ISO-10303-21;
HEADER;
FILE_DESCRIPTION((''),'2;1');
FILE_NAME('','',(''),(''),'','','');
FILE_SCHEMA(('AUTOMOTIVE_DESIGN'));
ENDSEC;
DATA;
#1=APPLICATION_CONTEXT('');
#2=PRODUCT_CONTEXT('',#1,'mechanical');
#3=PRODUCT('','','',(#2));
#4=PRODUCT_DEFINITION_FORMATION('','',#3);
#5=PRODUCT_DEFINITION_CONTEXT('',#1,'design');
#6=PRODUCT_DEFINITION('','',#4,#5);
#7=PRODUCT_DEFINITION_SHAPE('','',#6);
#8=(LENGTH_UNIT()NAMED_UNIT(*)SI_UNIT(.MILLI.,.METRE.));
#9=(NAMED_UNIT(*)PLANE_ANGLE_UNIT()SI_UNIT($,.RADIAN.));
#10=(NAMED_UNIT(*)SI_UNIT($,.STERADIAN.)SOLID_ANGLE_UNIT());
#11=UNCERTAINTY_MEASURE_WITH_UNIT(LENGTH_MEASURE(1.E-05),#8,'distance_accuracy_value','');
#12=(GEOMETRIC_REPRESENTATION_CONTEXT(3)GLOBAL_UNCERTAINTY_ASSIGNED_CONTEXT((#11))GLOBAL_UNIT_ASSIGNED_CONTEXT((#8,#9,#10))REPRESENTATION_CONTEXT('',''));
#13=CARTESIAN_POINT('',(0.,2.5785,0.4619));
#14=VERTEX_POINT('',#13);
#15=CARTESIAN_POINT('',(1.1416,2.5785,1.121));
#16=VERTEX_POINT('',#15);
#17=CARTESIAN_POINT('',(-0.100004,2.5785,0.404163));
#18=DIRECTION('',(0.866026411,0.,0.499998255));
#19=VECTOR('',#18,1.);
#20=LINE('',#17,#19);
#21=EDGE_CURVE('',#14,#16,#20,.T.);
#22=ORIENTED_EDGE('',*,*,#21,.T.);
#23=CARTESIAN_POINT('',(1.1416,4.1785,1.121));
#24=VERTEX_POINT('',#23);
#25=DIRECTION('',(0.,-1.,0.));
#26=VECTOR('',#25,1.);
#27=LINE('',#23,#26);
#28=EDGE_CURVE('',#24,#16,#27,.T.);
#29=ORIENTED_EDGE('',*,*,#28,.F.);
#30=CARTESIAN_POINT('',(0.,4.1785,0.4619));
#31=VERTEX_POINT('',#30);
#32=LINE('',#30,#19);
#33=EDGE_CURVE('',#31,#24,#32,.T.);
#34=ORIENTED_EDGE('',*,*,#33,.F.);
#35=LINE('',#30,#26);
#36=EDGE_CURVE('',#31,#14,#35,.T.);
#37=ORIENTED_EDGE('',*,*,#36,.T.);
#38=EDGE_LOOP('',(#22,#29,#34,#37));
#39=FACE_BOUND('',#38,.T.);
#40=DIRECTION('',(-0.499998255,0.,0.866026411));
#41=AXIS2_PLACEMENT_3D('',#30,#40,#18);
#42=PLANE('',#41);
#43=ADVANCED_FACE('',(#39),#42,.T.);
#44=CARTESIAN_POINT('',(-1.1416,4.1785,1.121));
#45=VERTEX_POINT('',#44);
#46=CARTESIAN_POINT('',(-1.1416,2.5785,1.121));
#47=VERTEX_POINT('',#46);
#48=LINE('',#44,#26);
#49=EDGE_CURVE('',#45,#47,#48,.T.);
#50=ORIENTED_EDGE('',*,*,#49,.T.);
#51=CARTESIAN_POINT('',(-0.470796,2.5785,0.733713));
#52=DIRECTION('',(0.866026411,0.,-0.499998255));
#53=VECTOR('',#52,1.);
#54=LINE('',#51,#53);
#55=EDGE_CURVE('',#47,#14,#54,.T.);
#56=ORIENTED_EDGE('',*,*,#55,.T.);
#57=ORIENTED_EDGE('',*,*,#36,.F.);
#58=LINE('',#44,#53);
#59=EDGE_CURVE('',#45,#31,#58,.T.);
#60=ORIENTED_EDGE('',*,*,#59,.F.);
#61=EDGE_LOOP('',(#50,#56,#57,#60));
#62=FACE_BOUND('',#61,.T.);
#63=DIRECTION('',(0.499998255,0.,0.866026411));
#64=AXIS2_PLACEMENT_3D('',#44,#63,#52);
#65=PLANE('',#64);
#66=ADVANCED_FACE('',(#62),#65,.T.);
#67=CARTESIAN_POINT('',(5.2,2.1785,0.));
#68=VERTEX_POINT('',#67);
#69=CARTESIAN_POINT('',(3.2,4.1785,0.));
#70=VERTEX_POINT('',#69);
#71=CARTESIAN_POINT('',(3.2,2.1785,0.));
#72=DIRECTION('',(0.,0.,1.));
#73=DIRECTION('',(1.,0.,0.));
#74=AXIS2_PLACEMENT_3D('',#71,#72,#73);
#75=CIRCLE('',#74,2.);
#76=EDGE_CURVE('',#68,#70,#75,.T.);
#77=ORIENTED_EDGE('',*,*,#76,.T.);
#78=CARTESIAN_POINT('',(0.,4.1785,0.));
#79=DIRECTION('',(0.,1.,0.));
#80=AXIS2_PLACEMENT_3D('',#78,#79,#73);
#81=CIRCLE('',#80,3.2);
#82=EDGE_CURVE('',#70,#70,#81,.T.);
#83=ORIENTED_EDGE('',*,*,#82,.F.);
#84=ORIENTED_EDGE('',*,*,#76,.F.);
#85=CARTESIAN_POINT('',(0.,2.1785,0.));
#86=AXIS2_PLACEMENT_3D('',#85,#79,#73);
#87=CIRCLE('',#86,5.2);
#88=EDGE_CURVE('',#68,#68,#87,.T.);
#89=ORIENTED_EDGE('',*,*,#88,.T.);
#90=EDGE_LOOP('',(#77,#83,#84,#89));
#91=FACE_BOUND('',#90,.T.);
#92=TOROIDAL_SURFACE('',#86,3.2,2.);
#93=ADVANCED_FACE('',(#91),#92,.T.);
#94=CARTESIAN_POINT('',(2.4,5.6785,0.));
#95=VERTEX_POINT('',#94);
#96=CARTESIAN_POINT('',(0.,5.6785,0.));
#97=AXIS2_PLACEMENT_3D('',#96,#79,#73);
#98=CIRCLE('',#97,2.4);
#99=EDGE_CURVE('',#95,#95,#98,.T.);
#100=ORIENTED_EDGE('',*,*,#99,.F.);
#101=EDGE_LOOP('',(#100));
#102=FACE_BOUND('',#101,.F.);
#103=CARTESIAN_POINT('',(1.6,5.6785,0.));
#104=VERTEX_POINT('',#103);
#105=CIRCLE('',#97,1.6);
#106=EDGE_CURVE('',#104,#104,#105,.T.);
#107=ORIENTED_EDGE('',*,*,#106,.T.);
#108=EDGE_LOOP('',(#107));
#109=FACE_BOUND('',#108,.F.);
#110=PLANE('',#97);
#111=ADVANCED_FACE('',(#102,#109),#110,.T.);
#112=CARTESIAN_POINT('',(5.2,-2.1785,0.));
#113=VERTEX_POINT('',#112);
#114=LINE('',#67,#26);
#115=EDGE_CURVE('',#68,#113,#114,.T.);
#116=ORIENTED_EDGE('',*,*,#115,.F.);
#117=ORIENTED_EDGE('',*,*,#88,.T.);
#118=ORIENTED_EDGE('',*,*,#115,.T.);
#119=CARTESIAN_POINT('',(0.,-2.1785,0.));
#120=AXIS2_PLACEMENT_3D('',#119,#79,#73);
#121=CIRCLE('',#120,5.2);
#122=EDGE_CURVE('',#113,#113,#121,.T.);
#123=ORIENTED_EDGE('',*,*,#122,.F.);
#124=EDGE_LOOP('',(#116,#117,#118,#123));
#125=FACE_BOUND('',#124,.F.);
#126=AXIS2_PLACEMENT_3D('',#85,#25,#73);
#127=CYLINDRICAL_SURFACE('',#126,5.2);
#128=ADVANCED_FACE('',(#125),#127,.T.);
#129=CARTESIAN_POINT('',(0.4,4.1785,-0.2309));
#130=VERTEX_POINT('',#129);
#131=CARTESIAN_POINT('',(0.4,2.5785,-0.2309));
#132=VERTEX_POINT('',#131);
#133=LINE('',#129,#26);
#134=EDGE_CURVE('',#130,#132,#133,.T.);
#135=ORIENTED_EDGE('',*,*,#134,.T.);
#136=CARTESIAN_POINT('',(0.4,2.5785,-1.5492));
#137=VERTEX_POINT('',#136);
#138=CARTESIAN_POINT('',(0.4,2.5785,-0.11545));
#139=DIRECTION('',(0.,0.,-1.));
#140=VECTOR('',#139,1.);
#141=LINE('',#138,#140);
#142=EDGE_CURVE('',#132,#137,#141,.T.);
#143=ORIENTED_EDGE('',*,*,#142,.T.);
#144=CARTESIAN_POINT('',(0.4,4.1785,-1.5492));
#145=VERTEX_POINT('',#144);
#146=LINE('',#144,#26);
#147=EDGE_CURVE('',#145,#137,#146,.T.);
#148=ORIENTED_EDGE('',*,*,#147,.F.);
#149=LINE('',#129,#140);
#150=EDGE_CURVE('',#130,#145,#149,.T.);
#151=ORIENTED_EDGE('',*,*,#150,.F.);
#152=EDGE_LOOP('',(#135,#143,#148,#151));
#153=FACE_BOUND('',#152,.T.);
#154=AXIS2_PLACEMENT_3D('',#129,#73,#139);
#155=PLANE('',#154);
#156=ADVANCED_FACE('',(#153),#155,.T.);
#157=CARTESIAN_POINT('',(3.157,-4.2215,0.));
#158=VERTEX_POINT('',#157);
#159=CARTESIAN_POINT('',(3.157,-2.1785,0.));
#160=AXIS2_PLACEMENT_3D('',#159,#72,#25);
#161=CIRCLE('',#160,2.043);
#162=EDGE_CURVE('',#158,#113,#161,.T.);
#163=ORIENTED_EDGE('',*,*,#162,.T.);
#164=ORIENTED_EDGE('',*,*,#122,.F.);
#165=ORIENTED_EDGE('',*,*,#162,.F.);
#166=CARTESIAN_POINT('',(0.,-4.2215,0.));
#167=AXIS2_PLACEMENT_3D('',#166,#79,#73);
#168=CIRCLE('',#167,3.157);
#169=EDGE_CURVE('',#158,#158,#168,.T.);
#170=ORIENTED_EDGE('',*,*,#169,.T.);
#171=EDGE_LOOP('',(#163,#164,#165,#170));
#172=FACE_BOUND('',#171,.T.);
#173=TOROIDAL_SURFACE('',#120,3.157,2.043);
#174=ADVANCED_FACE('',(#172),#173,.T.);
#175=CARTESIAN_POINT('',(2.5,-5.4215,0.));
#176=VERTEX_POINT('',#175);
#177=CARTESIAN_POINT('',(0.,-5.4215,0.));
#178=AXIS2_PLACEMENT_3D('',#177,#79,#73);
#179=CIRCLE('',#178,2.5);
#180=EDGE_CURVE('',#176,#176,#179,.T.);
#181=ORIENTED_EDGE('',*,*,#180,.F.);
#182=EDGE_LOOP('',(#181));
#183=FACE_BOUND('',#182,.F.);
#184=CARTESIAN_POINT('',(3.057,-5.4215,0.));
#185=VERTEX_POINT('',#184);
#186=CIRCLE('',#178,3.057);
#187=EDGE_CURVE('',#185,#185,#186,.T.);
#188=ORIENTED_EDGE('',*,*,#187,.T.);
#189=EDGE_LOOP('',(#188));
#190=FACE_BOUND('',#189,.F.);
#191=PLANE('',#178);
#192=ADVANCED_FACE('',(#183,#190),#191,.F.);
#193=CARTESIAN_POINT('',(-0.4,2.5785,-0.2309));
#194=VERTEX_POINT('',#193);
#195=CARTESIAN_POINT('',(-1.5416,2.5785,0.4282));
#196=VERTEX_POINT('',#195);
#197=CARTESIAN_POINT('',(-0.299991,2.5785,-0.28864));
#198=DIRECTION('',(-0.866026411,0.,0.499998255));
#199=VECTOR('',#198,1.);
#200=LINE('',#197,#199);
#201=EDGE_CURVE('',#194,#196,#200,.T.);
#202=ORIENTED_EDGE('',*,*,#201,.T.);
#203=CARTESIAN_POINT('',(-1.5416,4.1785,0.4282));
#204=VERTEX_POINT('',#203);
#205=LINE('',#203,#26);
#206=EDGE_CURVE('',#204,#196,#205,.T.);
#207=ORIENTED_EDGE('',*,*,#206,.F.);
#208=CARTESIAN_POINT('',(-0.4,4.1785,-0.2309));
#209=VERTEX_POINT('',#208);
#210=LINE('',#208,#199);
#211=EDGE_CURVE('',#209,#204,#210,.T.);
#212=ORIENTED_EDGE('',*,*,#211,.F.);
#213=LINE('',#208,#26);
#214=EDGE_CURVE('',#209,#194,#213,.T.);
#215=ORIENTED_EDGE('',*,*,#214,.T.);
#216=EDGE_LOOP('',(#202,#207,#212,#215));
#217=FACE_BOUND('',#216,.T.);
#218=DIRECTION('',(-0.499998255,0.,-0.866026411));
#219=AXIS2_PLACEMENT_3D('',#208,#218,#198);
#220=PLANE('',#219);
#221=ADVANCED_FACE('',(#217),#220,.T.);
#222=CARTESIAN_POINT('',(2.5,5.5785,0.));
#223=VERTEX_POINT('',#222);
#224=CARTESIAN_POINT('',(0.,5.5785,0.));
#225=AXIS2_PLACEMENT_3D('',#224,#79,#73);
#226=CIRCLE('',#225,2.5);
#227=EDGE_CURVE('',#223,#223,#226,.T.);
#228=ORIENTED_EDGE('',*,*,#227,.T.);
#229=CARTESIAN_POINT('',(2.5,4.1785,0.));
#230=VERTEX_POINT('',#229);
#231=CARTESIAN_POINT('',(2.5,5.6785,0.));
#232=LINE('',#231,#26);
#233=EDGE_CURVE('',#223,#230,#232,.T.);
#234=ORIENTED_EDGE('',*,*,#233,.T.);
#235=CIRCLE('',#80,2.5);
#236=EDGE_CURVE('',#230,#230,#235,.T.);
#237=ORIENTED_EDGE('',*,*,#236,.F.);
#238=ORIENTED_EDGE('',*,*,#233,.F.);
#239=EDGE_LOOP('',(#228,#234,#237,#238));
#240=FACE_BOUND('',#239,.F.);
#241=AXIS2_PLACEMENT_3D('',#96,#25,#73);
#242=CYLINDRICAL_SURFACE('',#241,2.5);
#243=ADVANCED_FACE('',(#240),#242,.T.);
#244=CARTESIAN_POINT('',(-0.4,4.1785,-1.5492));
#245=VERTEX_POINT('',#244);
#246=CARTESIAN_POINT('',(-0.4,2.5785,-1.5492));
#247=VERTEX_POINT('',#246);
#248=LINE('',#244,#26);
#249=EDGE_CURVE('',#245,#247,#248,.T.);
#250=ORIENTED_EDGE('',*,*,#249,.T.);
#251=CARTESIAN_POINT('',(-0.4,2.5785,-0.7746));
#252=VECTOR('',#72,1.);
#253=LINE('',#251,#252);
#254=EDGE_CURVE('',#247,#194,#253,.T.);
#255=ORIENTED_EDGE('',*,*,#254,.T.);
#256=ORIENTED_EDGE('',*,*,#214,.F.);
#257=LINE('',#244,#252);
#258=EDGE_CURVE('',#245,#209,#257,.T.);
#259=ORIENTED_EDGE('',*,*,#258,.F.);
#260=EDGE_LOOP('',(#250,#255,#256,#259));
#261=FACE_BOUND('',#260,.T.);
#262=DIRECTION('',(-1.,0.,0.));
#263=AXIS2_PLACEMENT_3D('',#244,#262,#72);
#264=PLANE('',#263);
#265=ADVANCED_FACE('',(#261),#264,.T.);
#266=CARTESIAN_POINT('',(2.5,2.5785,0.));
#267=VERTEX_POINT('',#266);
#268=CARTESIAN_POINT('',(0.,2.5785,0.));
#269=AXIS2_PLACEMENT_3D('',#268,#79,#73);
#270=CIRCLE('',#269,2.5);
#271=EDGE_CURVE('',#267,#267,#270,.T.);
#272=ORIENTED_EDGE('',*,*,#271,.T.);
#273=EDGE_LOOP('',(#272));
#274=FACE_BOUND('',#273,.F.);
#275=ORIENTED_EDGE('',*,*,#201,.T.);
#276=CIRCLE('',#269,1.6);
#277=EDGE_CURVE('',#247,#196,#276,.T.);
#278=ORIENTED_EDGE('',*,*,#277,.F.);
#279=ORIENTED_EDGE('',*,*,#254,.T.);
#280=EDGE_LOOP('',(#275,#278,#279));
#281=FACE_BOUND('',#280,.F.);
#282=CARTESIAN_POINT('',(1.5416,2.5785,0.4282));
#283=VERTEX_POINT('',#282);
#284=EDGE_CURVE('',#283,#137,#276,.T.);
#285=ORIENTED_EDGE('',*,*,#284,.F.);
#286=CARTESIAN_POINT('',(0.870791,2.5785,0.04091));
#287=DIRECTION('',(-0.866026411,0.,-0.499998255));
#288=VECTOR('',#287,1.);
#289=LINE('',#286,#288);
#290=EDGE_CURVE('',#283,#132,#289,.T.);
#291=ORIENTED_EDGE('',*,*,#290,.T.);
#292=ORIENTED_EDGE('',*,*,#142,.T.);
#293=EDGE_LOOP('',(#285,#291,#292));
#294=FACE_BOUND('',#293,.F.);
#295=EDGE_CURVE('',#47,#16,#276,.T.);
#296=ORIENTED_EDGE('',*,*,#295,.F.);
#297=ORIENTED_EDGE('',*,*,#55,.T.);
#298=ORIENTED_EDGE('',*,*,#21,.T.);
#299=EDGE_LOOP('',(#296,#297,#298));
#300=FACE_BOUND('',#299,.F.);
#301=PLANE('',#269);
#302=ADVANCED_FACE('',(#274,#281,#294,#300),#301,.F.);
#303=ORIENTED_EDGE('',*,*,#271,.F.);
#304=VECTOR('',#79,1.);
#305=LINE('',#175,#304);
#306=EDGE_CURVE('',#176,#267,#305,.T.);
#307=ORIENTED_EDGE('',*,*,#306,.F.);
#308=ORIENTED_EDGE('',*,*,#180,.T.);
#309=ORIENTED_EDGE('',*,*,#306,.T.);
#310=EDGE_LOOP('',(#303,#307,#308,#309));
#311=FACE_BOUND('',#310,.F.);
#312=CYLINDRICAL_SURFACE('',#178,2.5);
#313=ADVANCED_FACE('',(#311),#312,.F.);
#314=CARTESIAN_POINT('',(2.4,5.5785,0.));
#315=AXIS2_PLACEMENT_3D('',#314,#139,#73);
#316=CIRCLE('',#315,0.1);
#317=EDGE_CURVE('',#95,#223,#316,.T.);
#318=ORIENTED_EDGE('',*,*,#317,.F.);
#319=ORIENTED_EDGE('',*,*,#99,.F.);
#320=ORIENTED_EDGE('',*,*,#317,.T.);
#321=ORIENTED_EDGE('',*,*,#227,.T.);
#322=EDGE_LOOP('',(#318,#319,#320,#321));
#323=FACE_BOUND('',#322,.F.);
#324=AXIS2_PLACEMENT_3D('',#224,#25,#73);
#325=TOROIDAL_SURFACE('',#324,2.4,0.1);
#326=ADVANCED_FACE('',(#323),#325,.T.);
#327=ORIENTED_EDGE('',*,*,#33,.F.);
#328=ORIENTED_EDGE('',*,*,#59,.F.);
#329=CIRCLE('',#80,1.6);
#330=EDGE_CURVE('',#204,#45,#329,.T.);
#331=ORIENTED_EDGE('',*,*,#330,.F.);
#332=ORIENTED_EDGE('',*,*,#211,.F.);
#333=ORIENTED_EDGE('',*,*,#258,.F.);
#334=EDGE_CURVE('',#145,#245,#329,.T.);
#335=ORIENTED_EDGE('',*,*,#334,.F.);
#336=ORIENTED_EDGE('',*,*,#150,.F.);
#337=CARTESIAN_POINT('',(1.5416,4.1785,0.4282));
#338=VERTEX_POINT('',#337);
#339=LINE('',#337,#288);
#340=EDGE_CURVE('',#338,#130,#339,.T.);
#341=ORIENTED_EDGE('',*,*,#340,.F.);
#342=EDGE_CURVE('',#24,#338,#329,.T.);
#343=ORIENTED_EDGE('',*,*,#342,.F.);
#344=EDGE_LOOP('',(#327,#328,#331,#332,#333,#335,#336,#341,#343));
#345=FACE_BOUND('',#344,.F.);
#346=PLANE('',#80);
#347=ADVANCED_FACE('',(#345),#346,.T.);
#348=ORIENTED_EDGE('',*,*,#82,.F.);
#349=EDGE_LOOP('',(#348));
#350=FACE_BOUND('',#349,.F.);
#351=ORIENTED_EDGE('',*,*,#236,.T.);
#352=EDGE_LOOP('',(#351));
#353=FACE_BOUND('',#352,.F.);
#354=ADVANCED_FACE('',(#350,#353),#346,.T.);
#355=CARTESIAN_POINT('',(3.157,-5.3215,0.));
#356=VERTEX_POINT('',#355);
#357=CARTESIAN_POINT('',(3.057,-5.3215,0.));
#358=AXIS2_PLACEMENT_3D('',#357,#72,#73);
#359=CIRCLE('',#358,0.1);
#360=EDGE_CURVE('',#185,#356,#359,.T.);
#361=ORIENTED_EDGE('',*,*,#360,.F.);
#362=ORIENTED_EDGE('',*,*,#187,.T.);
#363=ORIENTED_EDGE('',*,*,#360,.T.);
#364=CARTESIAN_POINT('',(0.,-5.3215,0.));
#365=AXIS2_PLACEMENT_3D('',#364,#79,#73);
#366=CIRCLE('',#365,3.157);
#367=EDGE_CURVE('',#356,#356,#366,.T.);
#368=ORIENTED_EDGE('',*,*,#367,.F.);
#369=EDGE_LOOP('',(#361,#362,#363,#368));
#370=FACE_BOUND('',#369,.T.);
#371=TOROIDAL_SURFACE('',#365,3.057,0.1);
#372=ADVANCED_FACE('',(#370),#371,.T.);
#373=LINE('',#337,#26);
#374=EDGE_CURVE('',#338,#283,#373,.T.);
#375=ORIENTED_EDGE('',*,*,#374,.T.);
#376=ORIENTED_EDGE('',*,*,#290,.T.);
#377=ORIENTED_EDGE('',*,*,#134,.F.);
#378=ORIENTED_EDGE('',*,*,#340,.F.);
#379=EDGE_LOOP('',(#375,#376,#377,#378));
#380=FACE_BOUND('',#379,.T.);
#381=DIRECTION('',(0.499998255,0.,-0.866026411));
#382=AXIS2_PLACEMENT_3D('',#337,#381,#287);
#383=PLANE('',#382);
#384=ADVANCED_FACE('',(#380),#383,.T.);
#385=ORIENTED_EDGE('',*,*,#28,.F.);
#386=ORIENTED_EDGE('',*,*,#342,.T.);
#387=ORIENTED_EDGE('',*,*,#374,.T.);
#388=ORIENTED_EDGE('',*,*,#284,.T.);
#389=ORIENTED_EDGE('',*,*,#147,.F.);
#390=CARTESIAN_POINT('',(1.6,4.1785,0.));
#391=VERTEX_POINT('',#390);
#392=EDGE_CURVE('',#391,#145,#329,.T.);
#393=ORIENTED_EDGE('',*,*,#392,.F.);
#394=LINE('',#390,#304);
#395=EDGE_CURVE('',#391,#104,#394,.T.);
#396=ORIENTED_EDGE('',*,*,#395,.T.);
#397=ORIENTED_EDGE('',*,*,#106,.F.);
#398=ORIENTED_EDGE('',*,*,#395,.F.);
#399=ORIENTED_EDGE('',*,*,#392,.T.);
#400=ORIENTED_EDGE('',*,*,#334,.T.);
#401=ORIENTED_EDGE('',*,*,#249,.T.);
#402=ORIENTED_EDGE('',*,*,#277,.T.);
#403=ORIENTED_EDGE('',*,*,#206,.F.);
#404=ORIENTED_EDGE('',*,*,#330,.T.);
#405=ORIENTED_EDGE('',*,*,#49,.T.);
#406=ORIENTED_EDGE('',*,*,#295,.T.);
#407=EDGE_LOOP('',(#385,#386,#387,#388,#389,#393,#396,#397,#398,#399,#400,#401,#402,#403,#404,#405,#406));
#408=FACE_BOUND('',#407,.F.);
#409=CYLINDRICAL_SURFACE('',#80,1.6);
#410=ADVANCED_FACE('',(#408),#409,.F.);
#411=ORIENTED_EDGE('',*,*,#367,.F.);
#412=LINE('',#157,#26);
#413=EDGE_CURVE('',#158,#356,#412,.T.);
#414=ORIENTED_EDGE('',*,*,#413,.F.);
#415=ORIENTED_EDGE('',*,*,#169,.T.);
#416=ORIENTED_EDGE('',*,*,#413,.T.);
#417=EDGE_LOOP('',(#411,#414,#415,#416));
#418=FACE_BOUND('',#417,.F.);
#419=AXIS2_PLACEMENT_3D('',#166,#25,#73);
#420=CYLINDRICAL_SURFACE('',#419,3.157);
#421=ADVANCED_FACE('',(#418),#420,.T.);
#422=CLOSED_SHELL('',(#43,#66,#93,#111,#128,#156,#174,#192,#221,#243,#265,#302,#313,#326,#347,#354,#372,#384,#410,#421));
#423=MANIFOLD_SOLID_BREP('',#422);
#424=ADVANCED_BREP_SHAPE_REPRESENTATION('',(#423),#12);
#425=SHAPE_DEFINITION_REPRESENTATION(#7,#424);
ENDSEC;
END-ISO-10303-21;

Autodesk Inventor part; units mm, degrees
ref_plane "XZ Plane" through (0, 0, 0) normal (0, 1, 0) x (-1, 0, 0)
sketch "Sketch2" plane through (0, 0, 0) normal (0, 0, 1) x (1, 0, 0)
  line L0 (0, 4.1785) -> (1.6, 4.1785)
  line L1 (1.6, 4.1785) -> (1.6, 5.6785)
  line L2 (1.6, 5.6785) -> (2.5, 5.6785)
  line L3 (2.5, 5.6785) -> (2.5, 4.1785)
  line L4 (2.5, 4.1785) -> (3.2, 4.1785)
  arc A0 (5.2, 2.1785) -> (3.2, 4.1785) centre (3.2, 2.1785) ccw
  line L5 (5.2, 2.1785) -> (5.2, -2.1785)
  arc A1 (3.157, -4.2215) -> (5.2, -2.1785) centre (3.157, -2.1785) ccw
  line L6 (3.157, -4.2215) -> (3.157, -5.4215)
  line L7 (3.157, -5.4215) -> (2.5, -5.4215)
  line L8 (2.5, -5.4215) -> (2.5, 2.5785)
  line L9 (2.5, 2.5785) -> (0, 2.5785)
  line L10 (0, 2.5785) -> (0, 4.1785)
  point P0 (0, 0)
  point P1 (5.2, 0)
  dimension "d0" = 5
  dimension "d1" = 3.2
  dimension "d2" = 1.5
  dimension "d3" = 2
  dimension "d4" = 10.4
  dimension "d6" = 6.314
  dimension "d7" = 1.2
  dimension "d8" = 8
  dimension "d23" = 9.6
revolve "Revolution1" add sketch "Sketch2" angle 360 about axis through (0, 2.5785, 0) along (0, 1, 0)
sketch "Sketch3" plane through (0, 4.1785, 0) normal (0, 1, 0) x (1, 0, 0)
  circle A0 centre (0, 0) radius 1.6 projected
  line L0 (-0.4, 1.5492) -> (-0.4, 0.2309)
  line L1 (-0.4, 0.2309) -> (-1.5416, -0.4282)
  line L2 (-1.1416, -1.121) -> (0, -0.4619)
  line L3 (0, -0.4619) -> (1.1416, -1.121)
  line L4 (1.5416, -0.4282) -> (0.4, 0.2309)
  line L5 (0.4, 0.2309) -> (0.4, 1.5492)
  dimension "d10" = 120
  dimension "d11" = 0.8
extrude "Extrusion1" cut sketch "Sketch3" against normal through all contours A0 L4 L5 | L0 L1 A0 | A0 L2 L3
fillet "Fillet1" radius 0.1 2 edges at (-2.5, 5.6785, 0) (-3.157, -5.4215, 0)
ref_plane "Work Plane1" through (5.2, 0, 0) normal (1, 0, 0) x (0, 1, 0)
ref_plane "Work Plane2" through (0, 0, 5.2) normal (0, 0, 1) x (1, 0, 0)
sketch "Sketch5" plane through (0, 0, 5.2) normal (0, 0, 1) x (1, 0, 0)
  line L0 (-5.2, 2.1785) -> (5.2, 2.1785) construction
  line L1 (-5.2, -2.1785) -> (5.2, -2.1785) construction
  line L2 (-5.7295, 5.4852) -> (5.2, 5.4852) construction
  line L3 (5.2, 5.4852) -> (5.2, -5.4442) construction
  line L4 (5.2, -5.4442) -> (-5.7295, -5.4442) construction
  line L5 (-5.7295, -5.4442) -> (-5.7295, 5.4852) construction
  point P0 (0, 0)
  point P1 (0, 2.1785)
decal "印花3"
properties part number "X02598_LEGOmini_Head_Y_Original_NoPara" material "ABS Plastic"
